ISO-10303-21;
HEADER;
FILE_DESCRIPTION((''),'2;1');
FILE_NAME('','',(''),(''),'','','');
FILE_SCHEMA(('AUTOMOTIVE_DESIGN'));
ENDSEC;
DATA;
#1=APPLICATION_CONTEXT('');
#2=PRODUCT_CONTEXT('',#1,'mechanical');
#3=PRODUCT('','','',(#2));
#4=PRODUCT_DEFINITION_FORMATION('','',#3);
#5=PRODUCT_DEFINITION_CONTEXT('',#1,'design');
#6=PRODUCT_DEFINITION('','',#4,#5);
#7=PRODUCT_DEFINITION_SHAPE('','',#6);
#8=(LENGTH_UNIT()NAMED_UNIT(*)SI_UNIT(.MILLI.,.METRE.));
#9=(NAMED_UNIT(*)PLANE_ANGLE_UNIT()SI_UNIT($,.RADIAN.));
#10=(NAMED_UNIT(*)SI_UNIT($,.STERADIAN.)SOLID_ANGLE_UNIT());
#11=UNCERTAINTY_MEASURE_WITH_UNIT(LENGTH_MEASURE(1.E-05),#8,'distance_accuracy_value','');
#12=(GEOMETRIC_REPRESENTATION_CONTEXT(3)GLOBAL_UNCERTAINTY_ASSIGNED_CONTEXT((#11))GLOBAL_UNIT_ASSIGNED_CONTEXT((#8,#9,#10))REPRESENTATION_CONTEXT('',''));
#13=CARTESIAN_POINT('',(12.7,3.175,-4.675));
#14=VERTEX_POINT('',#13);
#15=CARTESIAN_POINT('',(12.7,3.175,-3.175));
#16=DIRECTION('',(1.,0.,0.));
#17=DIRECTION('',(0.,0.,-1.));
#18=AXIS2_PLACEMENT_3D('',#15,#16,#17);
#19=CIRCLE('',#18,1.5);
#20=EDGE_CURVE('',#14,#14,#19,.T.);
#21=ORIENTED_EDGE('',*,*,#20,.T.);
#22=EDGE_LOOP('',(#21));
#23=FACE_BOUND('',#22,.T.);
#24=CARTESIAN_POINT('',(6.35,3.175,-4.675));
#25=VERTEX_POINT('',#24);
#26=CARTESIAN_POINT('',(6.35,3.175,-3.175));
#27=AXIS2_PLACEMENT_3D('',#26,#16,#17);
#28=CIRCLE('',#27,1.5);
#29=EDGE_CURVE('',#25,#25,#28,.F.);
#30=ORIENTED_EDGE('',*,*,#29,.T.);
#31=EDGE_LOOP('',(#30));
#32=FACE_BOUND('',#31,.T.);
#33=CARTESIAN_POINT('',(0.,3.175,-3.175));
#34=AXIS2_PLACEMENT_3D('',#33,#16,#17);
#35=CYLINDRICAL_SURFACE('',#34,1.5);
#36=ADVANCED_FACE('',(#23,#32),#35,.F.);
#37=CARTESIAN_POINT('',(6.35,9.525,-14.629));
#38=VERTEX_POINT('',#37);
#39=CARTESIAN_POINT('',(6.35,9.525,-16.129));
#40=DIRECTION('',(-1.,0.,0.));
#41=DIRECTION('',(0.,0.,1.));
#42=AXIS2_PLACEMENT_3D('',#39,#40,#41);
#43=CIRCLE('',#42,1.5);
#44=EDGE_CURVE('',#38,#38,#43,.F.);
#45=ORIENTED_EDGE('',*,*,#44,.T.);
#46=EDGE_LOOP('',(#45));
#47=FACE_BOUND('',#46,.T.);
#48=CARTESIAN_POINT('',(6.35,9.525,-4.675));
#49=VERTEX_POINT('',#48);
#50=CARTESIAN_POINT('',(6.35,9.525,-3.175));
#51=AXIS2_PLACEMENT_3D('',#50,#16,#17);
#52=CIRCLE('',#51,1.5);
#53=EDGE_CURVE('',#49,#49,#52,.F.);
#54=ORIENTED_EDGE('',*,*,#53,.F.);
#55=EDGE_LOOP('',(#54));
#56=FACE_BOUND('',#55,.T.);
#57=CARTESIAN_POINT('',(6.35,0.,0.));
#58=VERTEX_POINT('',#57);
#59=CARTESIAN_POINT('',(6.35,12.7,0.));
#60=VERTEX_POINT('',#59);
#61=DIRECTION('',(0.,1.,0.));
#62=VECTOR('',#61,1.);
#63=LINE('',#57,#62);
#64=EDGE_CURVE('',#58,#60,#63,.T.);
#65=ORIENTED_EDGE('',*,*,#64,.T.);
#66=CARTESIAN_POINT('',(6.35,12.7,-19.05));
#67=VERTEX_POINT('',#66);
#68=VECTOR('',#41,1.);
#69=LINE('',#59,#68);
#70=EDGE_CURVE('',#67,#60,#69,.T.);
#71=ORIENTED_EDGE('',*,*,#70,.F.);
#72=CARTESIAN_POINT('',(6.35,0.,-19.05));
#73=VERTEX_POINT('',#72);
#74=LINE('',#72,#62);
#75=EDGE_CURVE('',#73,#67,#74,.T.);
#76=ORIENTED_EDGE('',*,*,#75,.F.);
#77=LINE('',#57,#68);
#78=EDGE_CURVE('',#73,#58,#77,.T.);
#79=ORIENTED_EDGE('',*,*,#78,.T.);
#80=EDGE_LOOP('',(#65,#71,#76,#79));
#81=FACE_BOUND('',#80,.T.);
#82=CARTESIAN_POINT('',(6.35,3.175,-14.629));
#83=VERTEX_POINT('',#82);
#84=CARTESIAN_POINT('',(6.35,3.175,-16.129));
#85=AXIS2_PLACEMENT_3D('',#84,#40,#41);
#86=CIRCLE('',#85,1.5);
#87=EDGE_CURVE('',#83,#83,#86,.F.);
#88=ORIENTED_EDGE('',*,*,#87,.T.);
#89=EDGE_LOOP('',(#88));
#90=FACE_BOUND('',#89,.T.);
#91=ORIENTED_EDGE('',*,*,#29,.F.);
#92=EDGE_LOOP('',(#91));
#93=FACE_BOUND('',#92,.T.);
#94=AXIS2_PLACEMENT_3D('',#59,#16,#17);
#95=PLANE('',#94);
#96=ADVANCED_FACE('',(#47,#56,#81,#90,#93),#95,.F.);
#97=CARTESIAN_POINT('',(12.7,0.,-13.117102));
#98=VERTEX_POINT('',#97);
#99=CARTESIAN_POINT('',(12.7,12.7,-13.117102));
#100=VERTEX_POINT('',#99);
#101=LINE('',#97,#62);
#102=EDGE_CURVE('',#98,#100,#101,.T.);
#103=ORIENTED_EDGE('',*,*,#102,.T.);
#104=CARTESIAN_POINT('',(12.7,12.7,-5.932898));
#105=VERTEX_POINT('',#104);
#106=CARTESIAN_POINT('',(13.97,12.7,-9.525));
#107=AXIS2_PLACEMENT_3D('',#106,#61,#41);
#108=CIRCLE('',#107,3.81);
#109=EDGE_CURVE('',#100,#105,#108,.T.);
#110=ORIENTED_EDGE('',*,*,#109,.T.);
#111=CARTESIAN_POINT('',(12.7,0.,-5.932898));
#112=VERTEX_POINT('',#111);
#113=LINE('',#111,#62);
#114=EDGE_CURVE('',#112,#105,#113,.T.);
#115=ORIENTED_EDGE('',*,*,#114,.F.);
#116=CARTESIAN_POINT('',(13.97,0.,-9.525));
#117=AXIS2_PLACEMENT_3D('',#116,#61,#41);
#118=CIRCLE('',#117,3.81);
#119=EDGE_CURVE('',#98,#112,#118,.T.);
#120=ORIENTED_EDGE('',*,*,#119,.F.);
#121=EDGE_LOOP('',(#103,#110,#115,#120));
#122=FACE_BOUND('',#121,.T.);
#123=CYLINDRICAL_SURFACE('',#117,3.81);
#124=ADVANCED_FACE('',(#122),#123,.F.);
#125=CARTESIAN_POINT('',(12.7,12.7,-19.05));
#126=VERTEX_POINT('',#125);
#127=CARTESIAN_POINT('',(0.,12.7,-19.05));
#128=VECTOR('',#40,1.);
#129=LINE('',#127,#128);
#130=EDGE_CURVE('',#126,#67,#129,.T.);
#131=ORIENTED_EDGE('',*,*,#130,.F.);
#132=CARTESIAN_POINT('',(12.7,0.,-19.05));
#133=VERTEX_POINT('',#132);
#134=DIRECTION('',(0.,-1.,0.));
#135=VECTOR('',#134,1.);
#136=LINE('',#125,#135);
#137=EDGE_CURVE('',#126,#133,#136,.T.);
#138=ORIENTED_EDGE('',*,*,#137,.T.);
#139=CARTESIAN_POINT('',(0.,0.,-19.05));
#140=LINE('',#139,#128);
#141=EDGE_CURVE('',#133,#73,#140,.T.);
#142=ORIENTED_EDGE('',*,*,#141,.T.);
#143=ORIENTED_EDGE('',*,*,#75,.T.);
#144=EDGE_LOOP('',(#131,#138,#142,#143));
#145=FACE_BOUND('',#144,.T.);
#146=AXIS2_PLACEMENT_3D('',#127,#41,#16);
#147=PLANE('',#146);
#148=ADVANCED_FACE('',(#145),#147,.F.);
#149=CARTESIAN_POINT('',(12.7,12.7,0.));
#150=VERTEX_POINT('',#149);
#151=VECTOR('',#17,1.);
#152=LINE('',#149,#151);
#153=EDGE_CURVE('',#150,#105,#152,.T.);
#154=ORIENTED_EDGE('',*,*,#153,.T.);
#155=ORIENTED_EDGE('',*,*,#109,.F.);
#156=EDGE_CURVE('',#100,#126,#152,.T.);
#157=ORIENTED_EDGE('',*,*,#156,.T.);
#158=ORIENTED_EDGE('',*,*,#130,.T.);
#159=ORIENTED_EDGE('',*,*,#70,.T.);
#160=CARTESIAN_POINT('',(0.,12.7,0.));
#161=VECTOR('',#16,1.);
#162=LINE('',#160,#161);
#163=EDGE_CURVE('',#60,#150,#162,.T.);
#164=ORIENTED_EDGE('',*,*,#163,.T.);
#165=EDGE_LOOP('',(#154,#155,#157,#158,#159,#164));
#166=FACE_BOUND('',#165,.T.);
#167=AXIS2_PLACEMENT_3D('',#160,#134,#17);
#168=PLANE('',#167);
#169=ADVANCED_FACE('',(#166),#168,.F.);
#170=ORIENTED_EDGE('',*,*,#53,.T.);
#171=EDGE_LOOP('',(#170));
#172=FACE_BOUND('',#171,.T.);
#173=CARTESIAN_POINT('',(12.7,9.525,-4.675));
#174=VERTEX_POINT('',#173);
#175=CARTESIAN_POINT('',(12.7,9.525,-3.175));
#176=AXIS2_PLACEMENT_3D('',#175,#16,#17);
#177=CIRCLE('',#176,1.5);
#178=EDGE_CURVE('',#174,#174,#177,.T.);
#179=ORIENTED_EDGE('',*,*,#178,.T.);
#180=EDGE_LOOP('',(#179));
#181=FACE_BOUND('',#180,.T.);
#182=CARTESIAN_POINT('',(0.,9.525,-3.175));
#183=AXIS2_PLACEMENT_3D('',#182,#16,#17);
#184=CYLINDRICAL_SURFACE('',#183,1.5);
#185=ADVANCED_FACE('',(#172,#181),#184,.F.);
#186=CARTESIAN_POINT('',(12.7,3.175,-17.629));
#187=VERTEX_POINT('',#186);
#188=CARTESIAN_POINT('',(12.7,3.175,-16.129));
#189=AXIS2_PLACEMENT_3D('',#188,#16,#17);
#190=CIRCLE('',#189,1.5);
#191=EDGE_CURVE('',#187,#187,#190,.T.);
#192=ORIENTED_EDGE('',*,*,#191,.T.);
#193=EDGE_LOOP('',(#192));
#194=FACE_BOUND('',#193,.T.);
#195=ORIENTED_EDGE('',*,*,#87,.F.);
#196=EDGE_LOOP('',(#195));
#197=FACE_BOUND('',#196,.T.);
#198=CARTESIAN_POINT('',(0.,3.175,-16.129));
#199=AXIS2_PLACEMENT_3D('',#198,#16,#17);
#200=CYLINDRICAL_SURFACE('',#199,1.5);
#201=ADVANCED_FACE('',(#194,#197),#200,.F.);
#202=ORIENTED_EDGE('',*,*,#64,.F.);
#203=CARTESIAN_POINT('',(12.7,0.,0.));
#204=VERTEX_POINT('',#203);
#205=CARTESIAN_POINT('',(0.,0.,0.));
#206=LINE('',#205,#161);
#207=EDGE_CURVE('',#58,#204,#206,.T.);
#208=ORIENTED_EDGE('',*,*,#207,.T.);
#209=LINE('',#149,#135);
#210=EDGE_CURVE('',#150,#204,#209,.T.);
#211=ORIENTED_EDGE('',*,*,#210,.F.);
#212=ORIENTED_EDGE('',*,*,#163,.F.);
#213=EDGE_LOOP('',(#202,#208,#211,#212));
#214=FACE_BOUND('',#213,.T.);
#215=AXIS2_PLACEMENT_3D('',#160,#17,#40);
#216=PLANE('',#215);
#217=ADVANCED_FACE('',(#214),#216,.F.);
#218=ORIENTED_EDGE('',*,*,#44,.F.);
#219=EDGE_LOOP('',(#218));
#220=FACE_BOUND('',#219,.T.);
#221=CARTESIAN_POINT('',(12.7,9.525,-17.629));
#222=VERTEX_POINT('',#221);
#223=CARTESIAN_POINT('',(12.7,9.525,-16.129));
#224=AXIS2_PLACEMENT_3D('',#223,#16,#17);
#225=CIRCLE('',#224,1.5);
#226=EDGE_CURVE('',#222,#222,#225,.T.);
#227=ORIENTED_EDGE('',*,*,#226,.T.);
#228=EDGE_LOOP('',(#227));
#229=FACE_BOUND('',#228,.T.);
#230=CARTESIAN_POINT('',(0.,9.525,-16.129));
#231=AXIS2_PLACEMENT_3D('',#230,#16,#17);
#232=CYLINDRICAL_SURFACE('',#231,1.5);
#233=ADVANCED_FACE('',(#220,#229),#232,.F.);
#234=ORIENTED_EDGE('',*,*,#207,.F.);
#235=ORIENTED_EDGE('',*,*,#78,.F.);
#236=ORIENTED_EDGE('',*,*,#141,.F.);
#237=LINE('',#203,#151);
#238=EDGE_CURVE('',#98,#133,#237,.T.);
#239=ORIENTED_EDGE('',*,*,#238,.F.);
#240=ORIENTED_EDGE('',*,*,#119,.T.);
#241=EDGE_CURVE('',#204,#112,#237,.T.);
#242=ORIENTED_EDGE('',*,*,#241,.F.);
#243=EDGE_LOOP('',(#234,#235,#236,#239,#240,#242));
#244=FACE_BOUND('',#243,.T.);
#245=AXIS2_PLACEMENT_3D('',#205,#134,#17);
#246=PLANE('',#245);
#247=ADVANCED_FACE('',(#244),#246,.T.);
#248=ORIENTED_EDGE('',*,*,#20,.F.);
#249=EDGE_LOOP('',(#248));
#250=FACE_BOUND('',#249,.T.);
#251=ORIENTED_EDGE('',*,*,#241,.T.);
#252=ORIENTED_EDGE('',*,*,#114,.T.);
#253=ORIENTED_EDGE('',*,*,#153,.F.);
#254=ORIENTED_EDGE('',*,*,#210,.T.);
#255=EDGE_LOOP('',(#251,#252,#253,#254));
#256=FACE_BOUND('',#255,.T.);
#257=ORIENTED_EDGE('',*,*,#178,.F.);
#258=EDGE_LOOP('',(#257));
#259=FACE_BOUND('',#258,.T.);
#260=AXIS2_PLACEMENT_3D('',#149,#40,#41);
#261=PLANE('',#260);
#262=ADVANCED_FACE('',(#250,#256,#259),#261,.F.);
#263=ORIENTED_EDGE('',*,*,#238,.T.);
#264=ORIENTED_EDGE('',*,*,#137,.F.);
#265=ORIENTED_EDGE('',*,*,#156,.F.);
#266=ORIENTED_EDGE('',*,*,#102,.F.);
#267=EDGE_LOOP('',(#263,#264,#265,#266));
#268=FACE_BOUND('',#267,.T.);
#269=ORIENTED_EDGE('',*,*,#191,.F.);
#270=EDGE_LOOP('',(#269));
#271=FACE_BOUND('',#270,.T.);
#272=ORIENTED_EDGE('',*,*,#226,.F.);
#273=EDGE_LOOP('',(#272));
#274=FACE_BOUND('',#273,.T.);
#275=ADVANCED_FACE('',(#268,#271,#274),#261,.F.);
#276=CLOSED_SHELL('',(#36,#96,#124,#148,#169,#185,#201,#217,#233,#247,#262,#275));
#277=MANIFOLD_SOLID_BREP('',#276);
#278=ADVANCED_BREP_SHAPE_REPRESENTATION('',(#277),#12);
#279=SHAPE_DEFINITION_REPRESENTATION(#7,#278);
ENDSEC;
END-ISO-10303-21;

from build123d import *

# Parameters (mm, degrees)
SKETCH1_W           = 12.7
SKETCH1_H           = 19.05
BOSS_EXTRUDE1_DEPTH = 12.7
CUT_EXTRUDE2_DEPTH  = 12.7
SKETCH5_R           = 1.5
CUT_EXTRUDE3_DEPTH  = 12.7
CUT_EXTRUDE4_DEPTH  = 12.7
SKETCH7_W           = 12.213119959
SKETCH7_H           = 9.608468088
CUT_EXTRUDE5_DEPTH  = 12.7


with BuildPart() as part:
    # Sketch1 → Boss-Extrude1 (new body)
    with BuildSketch(Plane(origin=(0, 0, 0), x_dir=(1, 0, 0), z_dir=(0, 1, 0))):
        with Locations((6.35, 9.525)):
            Rectangle(SKETCH1_W, SKETCH1_H)
    extrude(amount=BOSS_EXTRUDE1_DEPTH)

    # Sketch4 → Cut-Extrude2 (cut)
    with BuildSketch(Plane(origin=(0, 12.7, 0), x_dir=(1, 0, 0), z_dir=(0, 1, 0))):
        Polygon((0, 19.05), (0, 9.525), (6.35, 19.05), align=None)
        Polygon((6.35, 0), (0, 9.525), (0, 0), align=None)
        with BuildLine():
            Line((12.7, 5.932897552), (12.7, 13.117102448))
            ThreePointArc((12.7, 13.117102448), (10.16, 9.525), (12.7, 5.932897552))
        make_face()
        with BuildLine():
            ThreePointArc((17.78, 9.525), (16.169704526, 12.635851973), (12.7, 13.117102448))
            Line((12.7, 13.117102448), (12.7, 5.932897552))
            ThreePointArc((12.7, 5.932897552), (16.169704526, 6.414148027), (17.78, 9.525))
        make_face()
    extrude(amount=-CUT_EXTRUDE2_DEPTH, mode=Mode.SUBTRACT)

    # Sketch5 → Cut-Extrude3 (cut)
    with BuildSketch(Plane(origin=(12.7, 0, 0), x_dir=(0, 0, -1), z_dir=(1, 0, 0))):
        with Locations((3.175, 9.525)):
            Circle(SKETCH5_R)
        with Locations((16.129, 9.525)):
            Circle(SKETCH5_R)
        with Locations((16.129, 3.175)):
            Circle(SKETCH5_R)
        with Locations((3.175, 3.175)):
            Circle(SKETCH5_R)
    extrude(amount=-CUT_EXTRUDE3_DEPTH, mode=Mode.SUBTRACT)

    # Sketch6 → Cut-Extrude4 (cut)
    with BuildSketch(Plane.XZ):
        Polygon((6.35, 0), (6.35, -5.570300529), (2.636466314, -5.570300529), align=None)
    cut_extrude4 = extrude(amount=-CUT_EXTRUDE4_DEPTH, mode=Mode.SUBTRACT)

    # Mirror1: Cut-Extrude4 across plane
    add(cut_extrude4.mirror(Plane(origin=(0, 0, -9.525), x_dir=(1, 0, 0), z_dir=(0, 0, -1))), mode=Mode.SUBTRACT)

    # Sketch7 → Cut-Extrude5 (cut)
    with BuildSketch(Plane.XZ):
        with Locations((0.243440021, -8.675465427)):
            Rectangle(SKETCH7_W, SKETCH7_H)
    extrude(amount=-CUT_EXTRUDE5_DEPTH, mode=Mode.SUBTRACT)


solid = part.part
